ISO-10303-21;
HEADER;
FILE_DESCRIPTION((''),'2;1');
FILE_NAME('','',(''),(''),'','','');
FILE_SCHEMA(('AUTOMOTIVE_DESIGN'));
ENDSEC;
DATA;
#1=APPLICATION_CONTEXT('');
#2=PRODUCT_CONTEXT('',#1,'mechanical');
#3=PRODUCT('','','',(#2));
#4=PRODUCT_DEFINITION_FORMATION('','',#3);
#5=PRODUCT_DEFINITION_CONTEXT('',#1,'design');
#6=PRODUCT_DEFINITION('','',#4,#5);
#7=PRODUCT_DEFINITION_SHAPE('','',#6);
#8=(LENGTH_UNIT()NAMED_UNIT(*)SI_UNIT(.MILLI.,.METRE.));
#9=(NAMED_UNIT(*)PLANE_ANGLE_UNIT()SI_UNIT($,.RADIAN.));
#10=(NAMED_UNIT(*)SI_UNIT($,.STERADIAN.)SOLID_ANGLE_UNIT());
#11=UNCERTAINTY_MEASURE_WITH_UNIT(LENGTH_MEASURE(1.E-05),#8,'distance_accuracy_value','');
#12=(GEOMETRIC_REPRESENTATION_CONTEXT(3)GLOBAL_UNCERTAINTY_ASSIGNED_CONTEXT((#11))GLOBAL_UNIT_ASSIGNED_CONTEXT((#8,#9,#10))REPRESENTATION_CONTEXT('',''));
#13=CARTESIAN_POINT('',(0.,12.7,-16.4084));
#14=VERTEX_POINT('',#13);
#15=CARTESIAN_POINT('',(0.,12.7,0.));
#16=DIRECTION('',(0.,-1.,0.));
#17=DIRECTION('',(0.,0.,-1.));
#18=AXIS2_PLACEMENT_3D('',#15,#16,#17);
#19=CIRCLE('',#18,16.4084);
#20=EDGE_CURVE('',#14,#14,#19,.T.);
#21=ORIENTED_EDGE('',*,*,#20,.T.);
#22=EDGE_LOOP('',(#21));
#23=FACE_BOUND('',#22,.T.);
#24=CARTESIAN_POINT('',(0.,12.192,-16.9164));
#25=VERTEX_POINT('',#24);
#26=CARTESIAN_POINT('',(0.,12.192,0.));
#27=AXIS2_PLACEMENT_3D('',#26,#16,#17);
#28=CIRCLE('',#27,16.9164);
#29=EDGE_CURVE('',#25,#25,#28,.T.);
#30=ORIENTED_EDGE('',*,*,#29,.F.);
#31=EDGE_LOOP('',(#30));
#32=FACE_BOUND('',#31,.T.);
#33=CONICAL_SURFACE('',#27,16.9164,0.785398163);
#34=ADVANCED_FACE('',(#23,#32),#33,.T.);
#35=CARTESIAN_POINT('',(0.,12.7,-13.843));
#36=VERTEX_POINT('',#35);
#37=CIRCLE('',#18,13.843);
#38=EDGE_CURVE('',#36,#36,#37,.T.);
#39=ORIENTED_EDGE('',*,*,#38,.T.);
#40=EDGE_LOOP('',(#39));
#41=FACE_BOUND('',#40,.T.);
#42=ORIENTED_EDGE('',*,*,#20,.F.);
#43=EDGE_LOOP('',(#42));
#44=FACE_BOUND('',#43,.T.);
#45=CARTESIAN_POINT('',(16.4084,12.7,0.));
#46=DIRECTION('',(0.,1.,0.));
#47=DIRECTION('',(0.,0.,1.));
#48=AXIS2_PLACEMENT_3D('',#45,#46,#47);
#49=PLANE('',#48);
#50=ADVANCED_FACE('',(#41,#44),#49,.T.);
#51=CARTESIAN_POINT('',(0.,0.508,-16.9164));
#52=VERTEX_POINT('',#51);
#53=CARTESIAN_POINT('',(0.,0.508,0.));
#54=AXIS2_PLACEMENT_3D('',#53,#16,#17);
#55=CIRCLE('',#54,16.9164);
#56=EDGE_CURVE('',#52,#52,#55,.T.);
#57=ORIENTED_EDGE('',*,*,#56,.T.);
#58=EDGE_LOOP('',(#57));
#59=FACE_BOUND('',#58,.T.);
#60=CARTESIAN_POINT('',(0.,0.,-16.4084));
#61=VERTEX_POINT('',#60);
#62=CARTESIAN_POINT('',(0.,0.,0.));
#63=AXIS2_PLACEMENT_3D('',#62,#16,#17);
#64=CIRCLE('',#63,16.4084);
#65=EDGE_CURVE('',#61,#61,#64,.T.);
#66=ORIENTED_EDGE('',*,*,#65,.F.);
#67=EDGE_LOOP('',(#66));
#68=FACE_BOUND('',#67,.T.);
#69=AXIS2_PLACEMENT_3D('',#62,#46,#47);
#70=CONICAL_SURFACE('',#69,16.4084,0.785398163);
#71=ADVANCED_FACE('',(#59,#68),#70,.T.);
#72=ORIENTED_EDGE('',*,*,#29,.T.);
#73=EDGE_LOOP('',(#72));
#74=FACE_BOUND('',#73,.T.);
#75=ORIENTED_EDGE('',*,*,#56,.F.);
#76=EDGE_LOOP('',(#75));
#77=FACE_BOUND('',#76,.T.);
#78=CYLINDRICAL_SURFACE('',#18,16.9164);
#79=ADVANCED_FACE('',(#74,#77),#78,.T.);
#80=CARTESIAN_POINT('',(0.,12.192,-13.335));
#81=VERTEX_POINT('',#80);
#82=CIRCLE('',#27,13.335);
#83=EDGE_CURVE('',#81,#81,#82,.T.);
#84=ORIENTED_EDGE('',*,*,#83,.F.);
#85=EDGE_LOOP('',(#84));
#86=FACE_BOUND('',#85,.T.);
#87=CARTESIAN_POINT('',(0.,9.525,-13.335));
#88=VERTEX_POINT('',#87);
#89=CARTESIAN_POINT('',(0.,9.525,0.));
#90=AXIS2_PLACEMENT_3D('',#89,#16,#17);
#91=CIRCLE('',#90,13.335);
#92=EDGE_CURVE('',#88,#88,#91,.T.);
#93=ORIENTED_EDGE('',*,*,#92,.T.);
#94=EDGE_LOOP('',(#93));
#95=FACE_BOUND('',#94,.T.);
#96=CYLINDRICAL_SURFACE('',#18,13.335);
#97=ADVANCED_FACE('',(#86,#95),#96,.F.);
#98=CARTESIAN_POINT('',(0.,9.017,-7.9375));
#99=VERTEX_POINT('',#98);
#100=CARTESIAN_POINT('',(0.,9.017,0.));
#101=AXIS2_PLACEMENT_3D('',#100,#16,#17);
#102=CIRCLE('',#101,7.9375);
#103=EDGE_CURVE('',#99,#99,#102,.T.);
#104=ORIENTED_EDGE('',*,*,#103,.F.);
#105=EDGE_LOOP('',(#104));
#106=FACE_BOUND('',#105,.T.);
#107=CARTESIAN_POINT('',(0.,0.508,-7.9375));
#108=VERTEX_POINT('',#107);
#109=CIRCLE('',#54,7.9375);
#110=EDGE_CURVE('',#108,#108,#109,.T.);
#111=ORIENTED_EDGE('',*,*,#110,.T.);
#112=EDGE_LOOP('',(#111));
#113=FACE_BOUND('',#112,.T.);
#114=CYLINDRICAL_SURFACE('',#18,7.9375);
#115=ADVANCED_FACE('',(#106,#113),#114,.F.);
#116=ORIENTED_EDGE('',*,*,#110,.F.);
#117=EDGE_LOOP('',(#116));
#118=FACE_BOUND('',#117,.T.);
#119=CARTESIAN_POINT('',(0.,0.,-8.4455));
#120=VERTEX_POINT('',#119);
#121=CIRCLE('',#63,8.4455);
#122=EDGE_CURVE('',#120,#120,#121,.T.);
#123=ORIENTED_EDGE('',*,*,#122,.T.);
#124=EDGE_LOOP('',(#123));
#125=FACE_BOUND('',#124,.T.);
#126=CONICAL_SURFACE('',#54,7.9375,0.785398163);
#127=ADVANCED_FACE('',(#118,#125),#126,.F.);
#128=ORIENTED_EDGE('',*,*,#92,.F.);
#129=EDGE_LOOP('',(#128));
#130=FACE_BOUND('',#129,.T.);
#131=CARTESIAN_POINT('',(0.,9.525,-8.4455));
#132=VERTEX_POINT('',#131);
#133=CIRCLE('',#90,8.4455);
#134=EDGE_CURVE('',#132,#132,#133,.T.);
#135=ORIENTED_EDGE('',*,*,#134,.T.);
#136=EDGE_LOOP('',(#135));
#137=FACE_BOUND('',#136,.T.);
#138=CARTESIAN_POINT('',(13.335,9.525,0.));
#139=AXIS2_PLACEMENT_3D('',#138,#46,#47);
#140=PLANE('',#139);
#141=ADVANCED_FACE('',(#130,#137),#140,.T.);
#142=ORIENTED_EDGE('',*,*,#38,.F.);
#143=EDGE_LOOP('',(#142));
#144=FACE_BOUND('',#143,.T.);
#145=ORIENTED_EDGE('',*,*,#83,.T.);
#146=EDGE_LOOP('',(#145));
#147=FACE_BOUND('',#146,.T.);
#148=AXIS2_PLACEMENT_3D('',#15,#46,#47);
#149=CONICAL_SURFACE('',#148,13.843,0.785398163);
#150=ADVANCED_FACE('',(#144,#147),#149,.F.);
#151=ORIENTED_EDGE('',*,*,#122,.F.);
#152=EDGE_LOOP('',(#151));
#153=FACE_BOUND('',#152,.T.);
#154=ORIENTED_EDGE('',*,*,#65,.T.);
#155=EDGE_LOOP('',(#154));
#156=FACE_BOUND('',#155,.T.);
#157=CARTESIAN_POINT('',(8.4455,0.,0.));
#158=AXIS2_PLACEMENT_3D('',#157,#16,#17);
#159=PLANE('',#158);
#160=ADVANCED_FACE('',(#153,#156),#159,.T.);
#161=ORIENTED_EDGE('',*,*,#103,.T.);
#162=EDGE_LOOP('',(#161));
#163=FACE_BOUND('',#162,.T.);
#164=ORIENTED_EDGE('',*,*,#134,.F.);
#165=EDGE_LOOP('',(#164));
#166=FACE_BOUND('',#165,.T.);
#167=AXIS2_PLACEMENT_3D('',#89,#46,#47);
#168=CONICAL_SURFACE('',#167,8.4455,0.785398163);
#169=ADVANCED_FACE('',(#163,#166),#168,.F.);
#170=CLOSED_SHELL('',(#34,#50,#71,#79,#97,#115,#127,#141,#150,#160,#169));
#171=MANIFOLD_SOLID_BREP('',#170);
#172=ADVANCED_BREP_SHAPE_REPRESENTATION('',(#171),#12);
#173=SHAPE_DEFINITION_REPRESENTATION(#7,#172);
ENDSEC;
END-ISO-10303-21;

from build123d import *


with BuildPart() as part:
    # Sketch1 → Revolve1 (revolve)
    with BuildSketch(Plane.XY):
        Polygon((16.4084, 12.7), (13.843, 12.7), (13.335, 12.192), (13.335, 9.525), (8.4455, 9.525), (7.9375, 9.017), (7.9375, 0.508), (8.4455, 0), (16.4084, 0), (16.9164, 0.508), (16.9164, 12.192), align=None)
    revolve(axis=Axis((0, 12.7, 0), (0, -1, 0)))


solid = part.part
